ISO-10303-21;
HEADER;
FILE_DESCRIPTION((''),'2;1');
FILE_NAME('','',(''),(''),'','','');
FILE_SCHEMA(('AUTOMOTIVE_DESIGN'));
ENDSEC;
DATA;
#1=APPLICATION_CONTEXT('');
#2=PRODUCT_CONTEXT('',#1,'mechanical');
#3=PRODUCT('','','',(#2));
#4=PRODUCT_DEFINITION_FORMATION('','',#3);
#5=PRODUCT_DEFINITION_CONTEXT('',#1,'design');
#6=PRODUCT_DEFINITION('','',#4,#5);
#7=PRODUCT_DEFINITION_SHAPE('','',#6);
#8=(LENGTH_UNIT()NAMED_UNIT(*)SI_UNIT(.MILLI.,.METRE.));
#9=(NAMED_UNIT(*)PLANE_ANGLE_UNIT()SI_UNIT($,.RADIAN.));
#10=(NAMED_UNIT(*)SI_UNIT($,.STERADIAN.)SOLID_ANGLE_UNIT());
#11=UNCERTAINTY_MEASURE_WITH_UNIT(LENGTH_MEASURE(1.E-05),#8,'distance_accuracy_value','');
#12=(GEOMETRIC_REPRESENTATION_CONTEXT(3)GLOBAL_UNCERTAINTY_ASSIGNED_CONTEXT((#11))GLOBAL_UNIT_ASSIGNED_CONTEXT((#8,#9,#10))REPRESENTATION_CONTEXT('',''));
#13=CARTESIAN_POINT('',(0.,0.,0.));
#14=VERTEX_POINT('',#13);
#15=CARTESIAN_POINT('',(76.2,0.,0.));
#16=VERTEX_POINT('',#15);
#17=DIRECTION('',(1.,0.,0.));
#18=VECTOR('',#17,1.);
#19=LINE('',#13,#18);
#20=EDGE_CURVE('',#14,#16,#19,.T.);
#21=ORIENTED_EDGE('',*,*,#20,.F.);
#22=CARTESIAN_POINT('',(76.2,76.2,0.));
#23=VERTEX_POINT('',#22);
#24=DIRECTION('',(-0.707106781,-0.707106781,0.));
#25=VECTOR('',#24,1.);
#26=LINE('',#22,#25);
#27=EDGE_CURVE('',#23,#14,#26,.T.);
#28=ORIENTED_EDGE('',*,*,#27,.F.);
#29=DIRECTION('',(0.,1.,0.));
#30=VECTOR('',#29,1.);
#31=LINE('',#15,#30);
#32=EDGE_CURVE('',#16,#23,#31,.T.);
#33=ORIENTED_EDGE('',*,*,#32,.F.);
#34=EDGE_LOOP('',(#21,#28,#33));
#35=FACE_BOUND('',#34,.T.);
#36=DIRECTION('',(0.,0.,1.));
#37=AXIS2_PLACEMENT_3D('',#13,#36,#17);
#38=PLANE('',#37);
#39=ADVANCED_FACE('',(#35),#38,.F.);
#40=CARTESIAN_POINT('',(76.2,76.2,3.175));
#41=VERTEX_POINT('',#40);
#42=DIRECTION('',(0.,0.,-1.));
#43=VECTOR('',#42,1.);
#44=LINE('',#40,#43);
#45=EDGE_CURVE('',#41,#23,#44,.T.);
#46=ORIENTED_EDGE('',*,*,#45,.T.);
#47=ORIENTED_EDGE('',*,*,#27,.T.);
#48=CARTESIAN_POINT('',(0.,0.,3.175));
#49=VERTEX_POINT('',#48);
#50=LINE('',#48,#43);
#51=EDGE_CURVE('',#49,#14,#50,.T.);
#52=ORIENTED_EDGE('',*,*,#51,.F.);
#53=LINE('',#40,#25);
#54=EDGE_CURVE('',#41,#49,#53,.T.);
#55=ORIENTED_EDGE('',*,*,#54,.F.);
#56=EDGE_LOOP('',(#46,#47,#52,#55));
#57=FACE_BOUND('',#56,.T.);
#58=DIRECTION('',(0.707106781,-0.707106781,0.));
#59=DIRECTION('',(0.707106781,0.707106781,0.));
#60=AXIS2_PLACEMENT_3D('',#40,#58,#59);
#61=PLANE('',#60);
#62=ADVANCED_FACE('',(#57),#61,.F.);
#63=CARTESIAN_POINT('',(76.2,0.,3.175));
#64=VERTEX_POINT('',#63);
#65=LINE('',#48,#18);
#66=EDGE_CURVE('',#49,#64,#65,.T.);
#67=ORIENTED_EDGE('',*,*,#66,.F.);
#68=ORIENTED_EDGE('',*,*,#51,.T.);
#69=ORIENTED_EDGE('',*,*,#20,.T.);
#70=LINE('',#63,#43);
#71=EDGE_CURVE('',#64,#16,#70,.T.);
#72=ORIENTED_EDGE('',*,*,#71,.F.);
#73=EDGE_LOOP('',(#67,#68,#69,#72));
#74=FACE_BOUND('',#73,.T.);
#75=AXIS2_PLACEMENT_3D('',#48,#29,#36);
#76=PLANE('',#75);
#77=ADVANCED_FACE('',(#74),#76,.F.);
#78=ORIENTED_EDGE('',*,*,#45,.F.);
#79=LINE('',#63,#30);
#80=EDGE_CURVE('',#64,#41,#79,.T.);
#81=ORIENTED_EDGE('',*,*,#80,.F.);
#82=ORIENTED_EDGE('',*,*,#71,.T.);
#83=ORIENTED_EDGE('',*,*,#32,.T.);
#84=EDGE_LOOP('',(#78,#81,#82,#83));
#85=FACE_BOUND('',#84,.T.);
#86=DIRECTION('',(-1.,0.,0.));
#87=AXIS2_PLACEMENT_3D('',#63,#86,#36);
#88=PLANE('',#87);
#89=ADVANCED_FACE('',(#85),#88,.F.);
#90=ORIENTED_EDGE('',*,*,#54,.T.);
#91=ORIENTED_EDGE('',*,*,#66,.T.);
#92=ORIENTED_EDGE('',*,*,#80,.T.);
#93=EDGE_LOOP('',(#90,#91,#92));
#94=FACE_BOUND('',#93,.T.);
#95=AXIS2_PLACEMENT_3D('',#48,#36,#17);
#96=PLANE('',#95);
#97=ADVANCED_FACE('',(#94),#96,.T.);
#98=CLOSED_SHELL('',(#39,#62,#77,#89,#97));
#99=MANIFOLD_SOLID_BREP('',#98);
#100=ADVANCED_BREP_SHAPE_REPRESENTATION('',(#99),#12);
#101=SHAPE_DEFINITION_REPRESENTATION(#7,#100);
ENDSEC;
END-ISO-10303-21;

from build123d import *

# Parameters (mm, degrees)
BOSS_EXTRUDE1_DEPTH = 3.175


with BuildPart() as part:
    # Sketch1 → Boss-Extrude1 (new body)
    with BuildSketch(Plane.XY):
        Polygon((0, 0), (76.2, 0), (76.2, 76.2), align=None)
    extrude(amount=BOSS_EXTRUDE1_DEPTH)


solid = part.part
